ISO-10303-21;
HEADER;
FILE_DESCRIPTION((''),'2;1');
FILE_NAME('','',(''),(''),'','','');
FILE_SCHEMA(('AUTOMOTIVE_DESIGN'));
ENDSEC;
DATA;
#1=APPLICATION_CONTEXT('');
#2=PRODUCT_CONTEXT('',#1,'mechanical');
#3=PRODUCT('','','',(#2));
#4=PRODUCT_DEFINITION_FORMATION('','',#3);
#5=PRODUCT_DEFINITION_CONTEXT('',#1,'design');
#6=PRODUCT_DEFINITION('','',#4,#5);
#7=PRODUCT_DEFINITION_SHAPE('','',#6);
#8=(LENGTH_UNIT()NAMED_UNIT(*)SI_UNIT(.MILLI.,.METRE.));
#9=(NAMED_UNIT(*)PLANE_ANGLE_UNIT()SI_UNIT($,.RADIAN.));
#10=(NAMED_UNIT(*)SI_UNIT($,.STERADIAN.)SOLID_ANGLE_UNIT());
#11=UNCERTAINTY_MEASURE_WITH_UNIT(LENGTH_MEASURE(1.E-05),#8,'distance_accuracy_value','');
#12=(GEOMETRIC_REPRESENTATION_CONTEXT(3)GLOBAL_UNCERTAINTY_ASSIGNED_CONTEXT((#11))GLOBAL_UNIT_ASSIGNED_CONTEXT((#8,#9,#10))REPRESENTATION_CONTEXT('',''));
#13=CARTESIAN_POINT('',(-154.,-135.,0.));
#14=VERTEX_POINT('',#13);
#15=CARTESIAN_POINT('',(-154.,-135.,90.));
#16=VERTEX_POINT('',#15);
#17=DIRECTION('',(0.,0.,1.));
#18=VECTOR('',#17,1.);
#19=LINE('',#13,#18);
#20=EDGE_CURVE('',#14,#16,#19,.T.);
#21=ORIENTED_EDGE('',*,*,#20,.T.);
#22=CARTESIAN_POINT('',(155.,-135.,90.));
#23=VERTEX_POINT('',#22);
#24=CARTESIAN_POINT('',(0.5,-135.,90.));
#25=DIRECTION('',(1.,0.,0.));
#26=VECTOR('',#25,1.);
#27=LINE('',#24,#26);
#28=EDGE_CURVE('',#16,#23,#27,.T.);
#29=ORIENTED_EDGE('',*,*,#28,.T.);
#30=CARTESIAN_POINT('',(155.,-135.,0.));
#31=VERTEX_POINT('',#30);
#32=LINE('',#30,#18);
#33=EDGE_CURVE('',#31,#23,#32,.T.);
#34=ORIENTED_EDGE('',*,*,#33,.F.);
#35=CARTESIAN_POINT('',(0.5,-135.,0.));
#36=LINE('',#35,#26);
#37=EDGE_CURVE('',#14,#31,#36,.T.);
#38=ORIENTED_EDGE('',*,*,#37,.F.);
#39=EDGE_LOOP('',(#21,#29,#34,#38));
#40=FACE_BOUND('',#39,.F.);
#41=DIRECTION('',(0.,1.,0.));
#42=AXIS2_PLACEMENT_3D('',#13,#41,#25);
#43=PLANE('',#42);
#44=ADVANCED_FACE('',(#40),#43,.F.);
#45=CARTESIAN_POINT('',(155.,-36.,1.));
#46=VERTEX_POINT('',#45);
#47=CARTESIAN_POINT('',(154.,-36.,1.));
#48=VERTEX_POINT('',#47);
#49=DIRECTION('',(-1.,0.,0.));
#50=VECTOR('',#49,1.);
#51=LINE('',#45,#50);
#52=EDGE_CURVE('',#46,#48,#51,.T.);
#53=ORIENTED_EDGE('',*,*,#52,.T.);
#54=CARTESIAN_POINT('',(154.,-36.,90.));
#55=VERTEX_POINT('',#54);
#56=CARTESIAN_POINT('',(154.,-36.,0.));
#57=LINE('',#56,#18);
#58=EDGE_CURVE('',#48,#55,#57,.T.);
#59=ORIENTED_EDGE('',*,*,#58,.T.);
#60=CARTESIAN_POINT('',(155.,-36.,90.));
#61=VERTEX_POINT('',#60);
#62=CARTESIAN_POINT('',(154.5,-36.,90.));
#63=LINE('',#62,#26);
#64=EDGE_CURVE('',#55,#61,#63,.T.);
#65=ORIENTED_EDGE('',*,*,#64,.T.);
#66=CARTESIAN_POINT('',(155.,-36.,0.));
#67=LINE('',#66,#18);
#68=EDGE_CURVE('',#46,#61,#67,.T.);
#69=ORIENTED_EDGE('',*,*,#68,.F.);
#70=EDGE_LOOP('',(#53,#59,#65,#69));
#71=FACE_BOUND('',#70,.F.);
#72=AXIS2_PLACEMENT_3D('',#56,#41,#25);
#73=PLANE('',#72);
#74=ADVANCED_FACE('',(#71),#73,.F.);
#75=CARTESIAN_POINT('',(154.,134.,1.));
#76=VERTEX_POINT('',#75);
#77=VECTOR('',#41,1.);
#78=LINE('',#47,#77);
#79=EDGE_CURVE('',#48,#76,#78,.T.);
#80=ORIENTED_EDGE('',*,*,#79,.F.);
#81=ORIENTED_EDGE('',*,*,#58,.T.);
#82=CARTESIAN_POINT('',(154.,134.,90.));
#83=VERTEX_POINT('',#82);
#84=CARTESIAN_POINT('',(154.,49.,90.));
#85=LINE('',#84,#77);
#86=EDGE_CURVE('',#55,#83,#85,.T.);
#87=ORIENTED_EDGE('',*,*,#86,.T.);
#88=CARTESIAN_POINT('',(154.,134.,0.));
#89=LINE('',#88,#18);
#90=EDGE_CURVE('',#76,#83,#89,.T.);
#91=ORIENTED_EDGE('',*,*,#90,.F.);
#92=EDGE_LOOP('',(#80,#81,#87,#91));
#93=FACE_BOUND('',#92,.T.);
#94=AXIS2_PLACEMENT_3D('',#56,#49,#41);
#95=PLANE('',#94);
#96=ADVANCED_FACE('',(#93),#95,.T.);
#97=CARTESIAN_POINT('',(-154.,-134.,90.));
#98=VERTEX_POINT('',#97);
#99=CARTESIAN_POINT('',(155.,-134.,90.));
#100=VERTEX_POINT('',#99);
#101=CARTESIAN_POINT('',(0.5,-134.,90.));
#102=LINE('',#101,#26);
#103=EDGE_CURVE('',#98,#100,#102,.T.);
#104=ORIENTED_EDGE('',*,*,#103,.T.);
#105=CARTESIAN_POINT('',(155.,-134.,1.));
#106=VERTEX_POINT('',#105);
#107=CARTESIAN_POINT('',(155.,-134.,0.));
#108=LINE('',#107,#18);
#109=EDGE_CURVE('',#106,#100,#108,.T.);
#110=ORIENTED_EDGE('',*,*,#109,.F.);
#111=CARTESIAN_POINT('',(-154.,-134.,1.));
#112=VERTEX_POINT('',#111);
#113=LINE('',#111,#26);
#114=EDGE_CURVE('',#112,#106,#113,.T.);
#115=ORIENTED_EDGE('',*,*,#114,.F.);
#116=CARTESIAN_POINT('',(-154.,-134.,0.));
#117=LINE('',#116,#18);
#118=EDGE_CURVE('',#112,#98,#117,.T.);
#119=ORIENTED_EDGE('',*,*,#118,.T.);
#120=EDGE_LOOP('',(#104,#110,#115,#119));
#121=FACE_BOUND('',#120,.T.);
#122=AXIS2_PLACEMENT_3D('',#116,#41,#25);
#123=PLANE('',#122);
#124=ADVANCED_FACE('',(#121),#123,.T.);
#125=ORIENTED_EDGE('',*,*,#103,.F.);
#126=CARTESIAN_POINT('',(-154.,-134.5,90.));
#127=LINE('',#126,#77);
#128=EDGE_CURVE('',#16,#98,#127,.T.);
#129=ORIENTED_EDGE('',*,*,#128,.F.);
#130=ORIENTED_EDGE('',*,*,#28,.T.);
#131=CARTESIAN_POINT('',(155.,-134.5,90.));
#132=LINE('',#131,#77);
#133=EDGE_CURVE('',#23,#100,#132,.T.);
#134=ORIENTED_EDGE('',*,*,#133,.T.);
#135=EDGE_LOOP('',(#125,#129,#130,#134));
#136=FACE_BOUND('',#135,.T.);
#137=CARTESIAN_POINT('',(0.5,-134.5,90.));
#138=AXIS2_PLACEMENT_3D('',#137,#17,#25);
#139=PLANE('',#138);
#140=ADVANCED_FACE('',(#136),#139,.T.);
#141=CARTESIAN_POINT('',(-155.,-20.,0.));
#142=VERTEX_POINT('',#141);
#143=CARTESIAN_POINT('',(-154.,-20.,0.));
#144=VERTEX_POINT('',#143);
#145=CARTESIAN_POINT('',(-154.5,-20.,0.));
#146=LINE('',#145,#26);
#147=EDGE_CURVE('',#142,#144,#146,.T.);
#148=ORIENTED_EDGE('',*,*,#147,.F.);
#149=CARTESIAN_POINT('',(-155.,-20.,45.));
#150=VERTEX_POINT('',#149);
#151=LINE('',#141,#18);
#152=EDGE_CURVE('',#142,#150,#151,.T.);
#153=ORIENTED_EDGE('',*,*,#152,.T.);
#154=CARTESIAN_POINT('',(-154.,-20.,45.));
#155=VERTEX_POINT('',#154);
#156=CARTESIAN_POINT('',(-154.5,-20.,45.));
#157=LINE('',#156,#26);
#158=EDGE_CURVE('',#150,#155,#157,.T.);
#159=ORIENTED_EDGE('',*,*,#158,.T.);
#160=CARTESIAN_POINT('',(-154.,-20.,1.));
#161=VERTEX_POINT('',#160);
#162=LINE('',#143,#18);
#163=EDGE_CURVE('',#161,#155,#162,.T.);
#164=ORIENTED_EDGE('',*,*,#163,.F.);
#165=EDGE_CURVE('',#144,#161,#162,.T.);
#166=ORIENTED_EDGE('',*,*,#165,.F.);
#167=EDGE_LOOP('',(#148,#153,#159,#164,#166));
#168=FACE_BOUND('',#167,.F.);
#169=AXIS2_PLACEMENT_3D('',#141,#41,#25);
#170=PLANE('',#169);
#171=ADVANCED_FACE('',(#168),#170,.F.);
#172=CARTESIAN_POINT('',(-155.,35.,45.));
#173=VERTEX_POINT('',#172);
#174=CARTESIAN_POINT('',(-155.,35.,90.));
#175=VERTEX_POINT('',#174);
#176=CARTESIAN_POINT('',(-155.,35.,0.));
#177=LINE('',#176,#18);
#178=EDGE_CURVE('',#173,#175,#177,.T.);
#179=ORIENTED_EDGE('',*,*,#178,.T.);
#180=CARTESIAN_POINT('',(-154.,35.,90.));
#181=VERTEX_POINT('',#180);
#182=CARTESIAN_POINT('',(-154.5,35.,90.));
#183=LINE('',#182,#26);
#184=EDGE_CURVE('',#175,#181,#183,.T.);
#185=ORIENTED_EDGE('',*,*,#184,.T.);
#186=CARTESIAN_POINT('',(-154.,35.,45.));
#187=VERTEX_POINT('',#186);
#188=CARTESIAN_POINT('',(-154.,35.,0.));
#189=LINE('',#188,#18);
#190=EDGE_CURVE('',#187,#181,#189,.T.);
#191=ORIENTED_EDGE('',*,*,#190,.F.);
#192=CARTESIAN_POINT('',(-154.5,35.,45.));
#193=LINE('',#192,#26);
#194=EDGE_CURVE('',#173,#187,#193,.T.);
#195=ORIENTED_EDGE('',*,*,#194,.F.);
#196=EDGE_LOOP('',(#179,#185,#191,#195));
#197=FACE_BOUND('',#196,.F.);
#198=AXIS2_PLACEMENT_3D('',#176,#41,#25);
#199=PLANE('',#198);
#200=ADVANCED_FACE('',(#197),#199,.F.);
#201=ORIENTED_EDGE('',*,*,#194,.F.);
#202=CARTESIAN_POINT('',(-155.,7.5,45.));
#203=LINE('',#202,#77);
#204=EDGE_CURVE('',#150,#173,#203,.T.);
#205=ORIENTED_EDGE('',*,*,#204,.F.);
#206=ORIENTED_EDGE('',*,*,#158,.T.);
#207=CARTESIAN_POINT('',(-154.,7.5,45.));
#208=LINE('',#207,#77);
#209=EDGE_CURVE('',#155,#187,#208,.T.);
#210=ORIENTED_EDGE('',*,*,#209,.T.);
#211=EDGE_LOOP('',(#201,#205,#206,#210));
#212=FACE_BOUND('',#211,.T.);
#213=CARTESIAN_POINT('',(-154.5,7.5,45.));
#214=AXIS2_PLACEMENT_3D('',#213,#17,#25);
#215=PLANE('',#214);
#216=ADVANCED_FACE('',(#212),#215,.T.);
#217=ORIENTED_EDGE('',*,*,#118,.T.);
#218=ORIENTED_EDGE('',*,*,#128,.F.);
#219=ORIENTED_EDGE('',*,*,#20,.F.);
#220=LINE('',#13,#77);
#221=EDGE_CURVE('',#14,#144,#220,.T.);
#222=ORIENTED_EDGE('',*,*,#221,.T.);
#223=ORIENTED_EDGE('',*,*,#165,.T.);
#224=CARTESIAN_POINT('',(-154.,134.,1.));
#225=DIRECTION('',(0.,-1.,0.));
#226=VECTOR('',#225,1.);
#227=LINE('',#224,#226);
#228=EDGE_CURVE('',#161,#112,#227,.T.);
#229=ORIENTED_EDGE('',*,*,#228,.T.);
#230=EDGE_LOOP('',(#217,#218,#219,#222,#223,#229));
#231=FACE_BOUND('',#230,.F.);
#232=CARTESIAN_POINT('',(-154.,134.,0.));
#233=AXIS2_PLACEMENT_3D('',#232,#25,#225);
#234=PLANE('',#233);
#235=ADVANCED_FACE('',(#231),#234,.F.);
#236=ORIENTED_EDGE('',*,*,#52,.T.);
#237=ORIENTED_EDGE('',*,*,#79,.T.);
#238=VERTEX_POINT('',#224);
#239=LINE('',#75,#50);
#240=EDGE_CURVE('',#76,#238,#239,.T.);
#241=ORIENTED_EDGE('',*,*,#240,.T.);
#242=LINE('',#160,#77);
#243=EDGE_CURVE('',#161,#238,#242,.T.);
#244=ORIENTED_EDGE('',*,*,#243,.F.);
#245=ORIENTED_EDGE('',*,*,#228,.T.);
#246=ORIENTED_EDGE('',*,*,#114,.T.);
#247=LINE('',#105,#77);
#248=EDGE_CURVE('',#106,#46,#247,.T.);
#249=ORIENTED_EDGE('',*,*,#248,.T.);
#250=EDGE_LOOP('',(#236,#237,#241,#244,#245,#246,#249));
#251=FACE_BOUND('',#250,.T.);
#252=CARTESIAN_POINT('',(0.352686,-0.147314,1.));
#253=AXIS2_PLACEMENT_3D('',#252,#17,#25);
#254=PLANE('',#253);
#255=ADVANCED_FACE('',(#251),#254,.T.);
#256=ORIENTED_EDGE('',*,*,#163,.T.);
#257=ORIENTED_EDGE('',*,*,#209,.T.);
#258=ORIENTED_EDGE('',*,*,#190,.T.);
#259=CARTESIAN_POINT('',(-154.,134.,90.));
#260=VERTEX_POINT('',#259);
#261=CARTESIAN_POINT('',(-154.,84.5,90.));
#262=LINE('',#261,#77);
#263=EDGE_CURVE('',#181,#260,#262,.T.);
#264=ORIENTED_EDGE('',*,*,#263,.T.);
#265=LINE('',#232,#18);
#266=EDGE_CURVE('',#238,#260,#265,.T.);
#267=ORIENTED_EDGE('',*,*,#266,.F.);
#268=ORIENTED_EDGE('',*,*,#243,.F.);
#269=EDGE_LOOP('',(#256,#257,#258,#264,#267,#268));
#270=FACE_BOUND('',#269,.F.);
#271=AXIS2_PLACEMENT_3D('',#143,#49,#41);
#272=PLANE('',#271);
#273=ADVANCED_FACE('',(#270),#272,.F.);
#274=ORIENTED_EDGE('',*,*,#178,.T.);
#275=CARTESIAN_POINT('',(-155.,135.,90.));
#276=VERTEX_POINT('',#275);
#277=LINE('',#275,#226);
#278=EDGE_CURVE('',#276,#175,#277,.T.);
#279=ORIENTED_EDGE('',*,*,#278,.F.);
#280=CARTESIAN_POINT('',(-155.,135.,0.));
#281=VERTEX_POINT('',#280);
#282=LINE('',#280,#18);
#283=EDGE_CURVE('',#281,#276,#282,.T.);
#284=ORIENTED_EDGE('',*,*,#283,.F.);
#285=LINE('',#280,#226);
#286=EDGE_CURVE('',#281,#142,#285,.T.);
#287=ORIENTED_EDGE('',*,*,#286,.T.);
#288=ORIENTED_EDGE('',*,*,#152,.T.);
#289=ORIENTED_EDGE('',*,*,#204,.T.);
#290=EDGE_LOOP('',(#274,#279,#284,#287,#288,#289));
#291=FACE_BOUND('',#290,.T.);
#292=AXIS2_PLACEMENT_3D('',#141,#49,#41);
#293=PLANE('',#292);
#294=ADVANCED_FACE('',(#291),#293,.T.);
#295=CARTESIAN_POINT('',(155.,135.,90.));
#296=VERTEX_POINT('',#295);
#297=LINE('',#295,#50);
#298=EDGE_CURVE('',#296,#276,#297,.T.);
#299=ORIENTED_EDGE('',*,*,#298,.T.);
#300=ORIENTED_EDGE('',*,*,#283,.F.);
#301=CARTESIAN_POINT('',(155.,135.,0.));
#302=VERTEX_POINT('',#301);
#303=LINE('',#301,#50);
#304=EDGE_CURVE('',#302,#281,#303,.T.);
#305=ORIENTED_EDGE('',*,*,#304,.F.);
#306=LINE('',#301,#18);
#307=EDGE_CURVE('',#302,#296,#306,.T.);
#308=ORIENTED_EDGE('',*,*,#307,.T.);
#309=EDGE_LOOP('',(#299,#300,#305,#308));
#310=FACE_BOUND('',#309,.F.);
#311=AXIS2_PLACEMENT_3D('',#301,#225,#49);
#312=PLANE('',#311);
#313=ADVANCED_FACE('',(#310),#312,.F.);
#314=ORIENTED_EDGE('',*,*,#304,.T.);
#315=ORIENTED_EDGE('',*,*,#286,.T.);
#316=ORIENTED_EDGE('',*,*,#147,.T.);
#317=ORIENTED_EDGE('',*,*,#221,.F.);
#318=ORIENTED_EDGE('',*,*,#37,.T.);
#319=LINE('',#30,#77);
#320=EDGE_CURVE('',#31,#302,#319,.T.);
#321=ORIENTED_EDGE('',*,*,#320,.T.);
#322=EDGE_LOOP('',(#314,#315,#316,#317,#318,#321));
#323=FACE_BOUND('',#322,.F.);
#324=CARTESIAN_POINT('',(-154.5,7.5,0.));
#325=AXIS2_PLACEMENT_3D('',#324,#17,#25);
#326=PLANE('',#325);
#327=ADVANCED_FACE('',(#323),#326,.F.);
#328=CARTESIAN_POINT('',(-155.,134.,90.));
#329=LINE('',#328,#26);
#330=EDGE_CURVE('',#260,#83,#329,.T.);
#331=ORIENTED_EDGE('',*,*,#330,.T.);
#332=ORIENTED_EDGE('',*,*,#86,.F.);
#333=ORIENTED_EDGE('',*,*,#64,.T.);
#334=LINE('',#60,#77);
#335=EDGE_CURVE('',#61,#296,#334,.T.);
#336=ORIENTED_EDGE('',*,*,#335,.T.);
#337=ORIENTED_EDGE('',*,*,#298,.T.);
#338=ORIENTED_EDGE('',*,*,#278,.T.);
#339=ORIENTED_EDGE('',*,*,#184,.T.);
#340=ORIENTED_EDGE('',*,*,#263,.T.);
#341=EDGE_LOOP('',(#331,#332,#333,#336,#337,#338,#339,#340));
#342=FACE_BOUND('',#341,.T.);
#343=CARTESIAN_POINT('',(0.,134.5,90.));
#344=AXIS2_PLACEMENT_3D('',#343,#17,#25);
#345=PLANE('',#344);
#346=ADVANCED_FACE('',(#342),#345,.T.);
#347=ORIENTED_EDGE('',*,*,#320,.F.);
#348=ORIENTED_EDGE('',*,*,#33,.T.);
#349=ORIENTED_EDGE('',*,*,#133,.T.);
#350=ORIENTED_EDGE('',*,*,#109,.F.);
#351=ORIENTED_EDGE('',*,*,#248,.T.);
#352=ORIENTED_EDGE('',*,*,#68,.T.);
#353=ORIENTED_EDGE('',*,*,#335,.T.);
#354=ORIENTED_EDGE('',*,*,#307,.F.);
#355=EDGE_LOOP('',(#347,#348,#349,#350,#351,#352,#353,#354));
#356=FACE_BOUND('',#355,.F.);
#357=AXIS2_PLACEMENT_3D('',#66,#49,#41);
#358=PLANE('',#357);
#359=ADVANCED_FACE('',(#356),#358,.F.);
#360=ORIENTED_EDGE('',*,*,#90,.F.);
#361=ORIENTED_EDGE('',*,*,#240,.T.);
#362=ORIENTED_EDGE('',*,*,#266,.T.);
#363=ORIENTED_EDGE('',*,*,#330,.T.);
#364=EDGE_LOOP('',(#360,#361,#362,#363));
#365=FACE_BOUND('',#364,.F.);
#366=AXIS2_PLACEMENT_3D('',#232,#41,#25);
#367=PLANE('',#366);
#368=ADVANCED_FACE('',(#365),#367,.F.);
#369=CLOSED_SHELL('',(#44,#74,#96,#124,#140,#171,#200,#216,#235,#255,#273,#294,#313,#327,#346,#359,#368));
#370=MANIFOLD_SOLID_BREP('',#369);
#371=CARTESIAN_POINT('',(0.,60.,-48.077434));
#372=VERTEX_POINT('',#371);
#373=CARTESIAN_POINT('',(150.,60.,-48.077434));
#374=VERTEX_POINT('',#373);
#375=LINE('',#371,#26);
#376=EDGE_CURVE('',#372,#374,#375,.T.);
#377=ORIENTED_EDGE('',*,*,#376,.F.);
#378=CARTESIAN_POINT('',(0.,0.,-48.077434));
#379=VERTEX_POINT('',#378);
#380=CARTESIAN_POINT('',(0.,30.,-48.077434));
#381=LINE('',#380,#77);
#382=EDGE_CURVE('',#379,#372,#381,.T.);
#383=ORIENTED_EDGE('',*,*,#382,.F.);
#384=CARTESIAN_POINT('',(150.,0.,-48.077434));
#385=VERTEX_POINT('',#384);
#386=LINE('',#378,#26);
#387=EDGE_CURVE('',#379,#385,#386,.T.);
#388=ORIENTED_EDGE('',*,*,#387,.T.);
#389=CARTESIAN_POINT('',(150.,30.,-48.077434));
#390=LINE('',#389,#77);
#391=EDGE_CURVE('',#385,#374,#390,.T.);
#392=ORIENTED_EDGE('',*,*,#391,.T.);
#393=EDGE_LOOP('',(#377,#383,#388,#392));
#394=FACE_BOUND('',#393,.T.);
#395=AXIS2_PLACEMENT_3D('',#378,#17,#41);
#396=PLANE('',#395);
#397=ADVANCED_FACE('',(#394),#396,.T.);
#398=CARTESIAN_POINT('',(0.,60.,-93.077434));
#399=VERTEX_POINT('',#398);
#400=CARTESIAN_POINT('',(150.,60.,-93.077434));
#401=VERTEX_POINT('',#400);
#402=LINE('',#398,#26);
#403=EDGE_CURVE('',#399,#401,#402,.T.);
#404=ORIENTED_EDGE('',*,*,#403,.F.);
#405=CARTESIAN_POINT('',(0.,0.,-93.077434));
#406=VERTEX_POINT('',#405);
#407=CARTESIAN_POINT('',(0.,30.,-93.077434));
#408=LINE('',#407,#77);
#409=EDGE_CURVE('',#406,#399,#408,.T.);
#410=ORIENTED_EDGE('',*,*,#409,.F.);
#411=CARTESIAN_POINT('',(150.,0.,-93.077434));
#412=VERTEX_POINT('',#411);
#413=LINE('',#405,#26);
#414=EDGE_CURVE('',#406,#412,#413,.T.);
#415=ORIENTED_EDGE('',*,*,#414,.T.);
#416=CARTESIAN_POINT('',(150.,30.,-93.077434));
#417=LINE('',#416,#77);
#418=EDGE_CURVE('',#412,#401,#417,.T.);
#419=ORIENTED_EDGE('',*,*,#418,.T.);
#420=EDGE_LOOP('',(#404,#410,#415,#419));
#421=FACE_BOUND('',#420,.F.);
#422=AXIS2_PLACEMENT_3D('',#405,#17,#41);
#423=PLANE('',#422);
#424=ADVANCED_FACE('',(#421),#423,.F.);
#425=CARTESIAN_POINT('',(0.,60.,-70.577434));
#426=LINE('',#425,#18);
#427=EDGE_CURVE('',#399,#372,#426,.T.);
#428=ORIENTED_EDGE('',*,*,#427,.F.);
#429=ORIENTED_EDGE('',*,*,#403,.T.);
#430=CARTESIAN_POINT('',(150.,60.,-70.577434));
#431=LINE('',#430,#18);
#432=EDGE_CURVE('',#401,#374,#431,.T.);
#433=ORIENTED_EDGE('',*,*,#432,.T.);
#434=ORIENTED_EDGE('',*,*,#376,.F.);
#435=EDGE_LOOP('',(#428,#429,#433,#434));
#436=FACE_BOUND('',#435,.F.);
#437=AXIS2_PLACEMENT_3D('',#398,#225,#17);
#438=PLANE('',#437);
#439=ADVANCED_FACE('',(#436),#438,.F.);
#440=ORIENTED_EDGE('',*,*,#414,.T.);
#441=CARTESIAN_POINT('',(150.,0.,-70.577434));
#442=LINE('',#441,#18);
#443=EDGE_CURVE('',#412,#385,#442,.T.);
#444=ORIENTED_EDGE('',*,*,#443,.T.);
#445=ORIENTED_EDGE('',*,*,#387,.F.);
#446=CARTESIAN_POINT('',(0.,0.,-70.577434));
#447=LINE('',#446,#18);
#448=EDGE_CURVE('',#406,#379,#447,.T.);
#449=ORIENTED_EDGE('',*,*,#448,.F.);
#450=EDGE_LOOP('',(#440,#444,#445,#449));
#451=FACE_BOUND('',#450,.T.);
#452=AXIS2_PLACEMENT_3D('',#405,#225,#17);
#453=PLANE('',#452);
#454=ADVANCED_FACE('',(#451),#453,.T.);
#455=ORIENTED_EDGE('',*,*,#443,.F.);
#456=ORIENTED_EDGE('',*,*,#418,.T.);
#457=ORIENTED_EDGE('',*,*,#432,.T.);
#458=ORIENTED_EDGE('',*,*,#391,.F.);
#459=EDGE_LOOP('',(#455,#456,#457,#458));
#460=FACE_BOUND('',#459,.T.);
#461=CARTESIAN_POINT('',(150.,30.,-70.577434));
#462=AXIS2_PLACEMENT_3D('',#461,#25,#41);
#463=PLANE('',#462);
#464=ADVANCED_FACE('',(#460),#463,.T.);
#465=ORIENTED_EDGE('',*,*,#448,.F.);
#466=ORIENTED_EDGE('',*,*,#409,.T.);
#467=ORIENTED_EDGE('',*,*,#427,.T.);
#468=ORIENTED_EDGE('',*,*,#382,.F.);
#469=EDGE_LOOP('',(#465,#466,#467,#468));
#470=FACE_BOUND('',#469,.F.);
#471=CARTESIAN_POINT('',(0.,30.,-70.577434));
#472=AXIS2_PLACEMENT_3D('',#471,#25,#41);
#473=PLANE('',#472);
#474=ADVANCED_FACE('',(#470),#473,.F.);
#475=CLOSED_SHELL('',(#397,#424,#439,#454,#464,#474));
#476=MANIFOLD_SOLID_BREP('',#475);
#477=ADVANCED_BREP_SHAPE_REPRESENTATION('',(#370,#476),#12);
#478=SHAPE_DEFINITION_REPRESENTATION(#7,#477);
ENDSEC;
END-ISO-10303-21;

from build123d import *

# Parameters (mm, degrees)
F1_DEPTH = 1
F0_W     = 1
F0_H     = 99
F0_H_2   = 170
F0_W_2   = 309
F0_H_3   = 1
F2_DEPTH = 90
F0_H_4   = 55
F3_DEPTH = 45
F4_W     = 60
F4_H     = 45
F5_DEPTH = 150


with BuildPart() as f1:
    # F0 (on Top) → F1 (new body)
    with BuildSketch(Plane.XY):
        Polygon((-154, -134), (155, -134), (155, -36), (154, -36), (154, 134), (-154, 134), (-154, 35), (-154, -20), (-154, -132.63689), align=None)
    extrude(amount=F1_DEPTH)

    # F0 (on Top) → F2 (join)
    with BuildSketch(Plane.XY):
        Polygon((154, 134), (155, 134), (155, 135), (-155, 135), (-155, 134), (-154, 134), align=None)
        with Locations((-154.5, 84.5)):
            Rectangle(F0_W, F0_H)
        with Locations((154.5, 49)):
            Rectangle(F0_W, F0_H_2)
        with Locations((0.5, -134.5)):
            Rectangle(F0_W_2, F0_H_3)
    extrude(amount=F2_DEPTH)

    # F0 (on Top) → F3 (join)
    with BuildSketch(Plane.XY):
        with Locations((-154.5, 7.5)):
            Rectangle(F0_W, F0_H_4)
    extrude(amount=F3_DEPTH)


with BuildPart() as f5:
    # F4 (on Right) → F5 (new body)
    with BuildSketch(Plane.YZ):
        with Locations((30, -70.577434)):
            Rectangle(F4_W, F4_H)
    extrude(amount=F5_DEPTH)


solid = Compound([f1.part, f5.part])
